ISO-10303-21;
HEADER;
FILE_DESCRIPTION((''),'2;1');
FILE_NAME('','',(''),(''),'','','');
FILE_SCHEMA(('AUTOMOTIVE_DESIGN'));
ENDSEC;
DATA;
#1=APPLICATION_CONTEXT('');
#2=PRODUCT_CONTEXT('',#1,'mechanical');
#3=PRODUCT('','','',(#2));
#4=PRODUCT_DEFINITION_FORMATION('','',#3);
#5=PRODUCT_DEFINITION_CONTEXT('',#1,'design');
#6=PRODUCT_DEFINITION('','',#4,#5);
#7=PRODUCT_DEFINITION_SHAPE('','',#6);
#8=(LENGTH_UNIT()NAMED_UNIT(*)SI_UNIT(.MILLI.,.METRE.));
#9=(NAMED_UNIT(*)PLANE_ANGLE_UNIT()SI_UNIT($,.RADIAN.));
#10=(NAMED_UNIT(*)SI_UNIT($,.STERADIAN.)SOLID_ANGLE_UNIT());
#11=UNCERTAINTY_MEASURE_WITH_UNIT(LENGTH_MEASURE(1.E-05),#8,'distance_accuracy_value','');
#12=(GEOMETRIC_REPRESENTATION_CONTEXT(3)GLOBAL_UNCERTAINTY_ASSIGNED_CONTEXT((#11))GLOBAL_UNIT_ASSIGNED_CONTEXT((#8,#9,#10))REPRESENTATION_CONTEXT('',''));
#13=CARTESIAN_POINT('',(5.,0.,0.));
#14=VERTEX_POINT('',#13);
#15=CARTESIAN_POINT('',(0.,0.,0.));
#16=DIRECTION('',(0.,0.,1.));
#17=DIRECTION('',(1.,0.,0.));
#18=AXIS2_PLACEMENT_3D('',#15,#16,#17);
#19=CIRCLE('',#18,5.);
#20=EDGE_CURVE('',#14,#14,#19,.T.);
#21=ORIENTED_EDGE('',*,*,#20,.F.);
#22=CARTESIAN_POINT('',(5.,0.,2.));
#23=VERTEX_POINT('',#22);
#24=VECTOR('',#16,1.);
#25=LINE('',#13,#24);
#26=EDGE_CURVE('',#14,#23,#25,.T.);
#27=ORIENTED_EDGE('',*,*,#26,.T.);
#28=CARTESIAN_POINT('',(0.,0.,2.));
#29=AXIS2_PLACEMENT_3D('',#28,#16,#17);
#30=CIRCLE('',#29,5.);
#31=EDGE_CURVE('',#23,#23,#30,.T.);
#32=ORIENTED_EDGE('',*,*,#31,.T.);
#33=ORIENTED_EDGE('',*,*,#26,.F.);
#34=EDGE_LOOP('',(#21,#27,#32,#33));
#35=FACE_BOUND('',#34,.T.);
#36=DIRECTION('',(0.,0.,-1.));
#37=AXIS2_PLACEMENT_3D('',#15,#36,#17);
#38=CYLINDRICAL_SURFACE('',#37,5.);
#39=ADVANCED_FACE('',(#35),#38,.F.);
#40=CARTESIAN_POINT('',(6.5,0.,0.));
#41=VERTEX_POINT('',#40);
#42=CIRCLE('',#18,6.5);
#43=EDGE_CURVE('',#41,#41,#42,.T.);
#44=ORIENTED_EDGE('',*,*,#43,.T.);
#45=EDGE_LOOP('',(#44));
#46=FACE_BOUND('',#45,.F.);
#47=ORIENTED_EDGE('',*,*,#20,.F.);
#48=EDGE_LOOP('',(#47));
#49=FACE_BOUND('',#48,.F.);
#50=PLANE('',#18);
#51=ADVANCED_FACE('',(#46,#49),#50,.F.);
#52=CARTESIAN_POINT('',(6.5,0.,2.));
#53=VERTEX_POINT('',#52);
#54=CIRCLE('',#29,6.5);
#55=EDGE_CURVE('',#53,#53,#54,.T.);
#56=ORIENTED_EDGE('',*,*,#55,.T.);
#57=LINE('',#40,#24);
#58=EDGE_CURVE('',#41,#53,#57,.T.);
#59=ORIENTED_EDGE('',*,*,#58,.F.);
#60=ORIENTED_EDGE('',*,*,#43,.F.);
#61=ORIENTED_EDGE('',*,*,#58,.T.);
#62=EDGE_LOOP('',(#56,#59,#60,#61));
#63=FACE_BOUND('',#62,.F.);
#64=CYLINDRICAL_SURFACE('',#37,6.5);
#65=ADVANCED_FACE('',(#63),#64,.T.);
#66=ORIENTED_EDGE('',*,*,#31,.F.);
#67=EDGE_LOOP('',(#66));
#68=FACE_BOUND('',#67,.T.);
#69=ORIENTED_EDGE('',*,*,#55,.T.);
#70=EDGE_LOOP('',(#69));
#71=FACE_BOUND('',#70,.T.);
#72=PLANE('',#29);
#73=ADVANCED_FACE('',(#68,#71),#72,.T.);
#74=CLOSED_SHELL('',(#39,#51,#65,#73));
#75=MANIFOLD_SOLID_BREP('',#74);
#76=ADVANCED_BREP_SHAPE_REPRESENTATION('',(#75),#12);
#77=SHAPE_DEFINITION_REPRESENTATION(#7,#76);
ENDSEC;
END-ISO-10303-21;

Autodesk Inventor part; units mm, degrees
ref_plane "YZ Plane" through (0, 0, 0) normal (1, 0, 0) x (0, 1, 0)
ref_plane "XZ Plane" through (0, 0, 0) normal (0, 1, 0) x (-1, 0, 0)
ref_plane "XY Plane" through (0, 0, 0) normal (0, 0, 1) x (1, 0, 0)
sketch "スケッチ1" plane through (0, 0, 0) normal (0, 0, 1) x (1, 0, 0)
  circle A0 centre (0, 0) radius 6.5
  circle A1 centre (0, 0) radius 5
  dimension "d0" = 13
  dimension "d1" = 10
extrude "押し出し1" add sketch "スケッチ1" along normal blind 2
properties part number "link2part9" material "アルミニウム 6061"
